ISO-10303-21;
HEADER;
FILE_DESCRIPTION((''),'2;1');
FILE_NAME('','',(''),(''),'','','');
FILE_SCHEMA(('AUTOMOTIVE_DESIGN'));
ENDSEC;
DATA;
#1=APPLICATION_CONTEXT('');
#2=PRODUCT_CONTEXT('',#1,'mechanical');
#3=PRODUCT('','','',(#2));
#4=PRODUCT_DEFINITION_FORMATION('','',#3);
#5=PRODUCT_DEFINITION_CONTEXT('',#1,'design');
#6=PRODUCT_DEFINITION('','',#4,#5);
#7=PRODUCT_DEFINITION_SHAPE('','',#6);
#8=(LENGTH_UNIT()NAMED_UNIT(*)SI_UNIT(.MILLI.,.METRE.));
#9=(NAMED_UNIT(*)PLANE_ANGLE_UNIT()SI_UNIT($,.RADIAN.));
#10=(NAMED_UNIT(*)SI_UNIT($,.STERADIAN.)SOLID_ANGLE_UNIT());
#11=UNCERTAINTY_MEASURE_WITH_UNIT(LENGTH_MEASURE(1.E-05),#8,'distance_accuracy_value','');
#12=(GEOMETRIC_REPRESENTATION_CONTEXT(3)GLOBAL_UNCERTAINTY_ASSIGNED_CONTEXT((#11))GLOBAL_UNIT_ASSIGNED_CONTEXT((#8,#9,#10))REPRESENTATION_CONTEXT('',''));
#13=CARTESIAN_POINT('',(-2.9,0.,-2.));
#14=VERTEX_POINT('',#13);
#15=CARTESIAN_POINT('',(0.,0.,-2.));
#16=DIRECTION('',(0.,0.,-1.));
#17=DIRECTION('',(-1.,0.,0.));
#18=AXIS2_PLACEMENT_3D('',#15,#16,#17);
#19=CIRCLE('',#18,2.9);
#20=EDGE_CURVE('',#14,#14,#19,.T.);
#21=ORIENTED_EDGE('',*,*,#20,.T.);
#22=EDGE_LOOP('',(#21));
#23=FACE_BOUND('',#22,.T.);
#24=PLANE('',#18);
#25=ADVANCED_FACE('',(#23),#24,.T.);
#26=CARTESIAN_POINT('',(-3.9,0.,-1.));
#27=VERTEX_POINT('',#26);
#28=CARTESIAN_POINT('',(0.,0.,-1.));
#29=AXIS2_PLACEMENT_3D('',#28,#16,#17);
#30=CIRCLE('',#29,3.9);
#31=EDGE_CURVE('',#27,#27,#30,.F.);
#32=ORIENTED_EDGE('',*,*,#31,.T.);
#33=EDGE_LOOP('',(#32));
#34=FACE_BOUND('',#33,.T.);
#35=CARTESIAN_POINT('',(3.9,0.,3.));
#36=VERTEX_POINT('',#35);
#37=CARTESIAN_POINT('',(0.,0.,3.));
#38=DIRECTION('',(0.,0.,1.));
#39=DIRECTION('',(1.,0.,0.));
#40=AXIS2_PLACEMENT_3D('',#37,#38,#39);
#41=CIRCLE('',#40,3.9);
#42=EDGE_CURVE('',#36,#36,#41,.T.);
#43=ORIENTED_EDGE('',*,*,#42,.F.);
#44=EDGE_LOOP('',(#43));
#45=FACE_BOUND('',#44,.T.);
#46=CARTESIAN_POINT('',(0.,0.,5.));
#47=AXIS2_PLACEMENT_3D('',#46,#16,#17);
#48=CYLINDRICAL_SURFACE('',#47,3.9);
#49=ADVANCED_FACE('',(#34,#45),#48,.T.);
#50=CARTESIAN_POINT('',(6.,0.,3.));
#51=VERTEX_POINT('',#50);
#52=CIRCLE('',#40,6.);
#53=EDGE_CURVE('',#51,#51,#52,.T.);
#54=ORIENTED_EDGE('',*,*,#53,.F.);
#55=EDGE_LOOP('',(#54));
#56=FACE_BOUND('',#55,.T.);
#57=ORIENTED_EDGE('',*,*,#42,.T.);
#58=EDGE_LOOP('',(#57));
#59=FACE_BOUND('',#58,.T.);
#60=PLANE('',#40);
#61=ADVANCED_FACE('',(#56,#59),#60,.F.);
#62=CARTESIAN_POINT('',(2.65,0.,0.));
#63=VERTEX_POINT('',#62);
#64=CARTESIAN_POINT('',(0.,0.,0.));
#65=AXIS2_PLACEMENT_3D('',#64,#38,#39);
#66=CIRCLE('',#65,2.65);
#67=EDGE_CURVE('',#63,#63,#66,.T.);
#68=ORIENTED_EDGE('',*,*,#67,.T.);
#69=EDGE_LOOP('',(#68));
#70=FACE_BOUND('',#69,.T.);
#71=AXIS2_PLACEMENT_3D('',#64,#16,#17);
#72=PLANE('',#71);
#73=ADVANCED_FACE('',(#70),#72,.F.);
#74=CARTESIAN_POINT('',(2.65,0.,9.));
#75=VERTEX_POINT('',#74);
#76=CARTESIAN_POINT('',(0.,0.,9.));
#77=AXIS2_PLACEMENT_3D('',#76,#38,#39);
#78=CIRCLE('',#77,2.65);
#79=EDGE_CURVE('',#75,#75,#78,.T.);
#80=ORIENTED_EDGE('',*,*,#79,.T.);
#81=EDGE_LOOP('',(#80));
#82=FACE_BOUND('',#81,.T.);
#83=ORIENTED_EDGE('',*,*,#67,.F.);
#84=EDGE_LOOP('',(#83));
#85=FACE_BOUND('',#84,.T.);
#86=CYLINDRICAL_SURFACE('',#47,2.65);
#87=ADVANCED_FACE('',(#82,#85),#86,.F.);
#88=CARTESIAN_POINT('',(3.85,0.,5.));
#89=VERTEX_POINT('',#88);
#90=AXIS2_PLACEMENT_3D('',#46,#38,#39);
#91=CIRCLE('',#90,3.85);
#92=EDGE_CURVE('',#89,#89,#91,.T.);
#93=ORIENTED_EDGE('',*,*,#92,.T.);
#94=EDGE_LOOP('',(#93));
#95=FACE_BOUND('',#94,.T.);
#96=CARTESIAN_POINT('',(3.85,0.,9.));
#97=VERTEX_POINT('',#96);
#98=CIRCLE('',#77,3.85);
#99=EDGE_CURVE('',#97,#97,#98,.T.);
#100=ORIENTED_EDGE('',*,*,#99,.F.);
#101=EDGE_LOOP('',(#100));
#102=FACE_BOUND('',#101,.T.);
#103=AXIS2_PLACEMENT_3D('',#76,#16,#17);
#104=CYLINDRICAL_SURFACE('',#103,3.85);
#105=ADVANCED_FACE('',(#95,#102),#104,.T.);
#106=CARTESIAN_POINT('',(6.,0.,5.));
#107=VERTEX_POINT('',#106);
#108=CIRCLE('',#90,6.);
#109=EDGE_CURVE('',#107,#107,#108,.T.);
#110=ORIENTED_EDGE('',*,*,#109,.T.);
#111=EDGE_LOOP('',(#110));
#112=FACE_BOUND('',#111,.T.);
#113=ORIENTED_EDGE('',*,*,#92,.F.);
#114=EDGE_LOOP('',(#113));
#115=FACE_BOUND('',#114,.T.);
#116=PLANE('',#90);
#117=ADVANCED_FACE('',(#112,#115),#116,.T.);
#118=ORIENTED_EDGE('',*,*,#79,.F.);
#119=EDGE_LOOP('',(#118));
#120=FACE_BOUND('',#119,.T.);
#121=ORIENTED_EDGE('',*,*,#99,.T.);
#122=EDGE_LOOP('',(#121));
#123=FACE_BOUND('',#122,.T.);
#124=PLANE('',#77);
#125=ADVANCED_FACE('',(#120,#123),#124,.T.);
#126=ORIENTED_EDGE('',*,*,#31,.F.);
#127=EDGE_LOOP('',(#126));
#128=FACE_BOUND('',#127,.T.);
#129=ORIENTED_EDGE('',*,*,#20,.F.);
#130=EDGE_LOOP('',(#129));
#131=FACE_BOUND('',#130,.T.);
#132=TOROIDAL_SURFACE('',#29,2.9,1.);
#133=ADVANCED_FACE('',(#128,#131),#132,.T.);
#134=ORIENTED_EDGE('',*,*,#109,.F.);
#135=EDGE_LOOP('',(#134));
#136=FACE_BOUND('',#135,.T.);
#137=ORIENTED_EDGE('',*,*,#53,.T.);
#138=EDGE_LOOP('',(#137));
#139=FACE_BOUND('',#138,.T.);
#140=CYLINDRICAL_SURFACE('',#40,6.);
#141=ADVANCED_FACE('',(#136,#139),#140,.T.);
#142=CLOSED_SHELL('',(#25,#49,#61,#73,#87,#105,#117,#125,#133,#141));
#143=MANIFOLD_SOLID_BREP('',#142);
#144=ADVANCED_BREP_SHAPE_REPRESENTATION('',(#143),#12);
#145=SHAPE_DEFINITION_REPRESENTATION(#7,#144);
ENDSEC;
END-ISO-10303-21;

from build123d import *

# Parameters (mm, degrees)
SKETCH1_R           = 3.9
SKETCH1_R_2         = 2.65
BOSS_EXTRUDE1_DEPTH = 5
BOSS_EXTRUDE2_START = -2
SKETCH2_R           = 6
SKETCH2_R_2         = 2.65
BOSS_EXTRUDE2_DEPTH = 2
BOSS_EXTRUDE3_START = 2
SKETCH3_R           = 3.9
BOSS_EXTRUDE3_DEPTH = 2
FILLET1_R           = 1
SKETCH4_R           = 3.85
SKETCH4_R_2         = 2.65
BOSS_EXTRUDE4_DEPTH = 4


with BuildPart() as part:
    # Sketch1 → Boss-Extrude1 (new body)
    with BuildSketch(Plane.XY):
        Circle(SKETCH1_R)
        Circle(SKETCH1_R_2, mode=Mode.SUBTRACT)
    extrude(amount=BOSS_EXTRUDE1_DEPTH)

    # Sketch2 → Boss-Extrude2 (add)
    with BuildSketch(Plane.XY.offset(5).offset(BOSS_EXTRUDE2_START)):
        Circle(SKETCH2_R)
        Circle(SKETCH2_R_2, mode=Mode.SUBTRACT)
    extrude(amount=BOSS_EXTRUDE2_DEPTH)

    # Sketch3 → Boss-Extrude3 (add)
    with BuildSketch(Plane(origin=(0, 0, 0), x_dir=(-1, 0, 0), z_dir=(0, 0, -1)).offset(BOSS_EXTRUDE3_START)):
        Circle(SKETCH3_R)
    extrude(amount=-BOSS_EXTRUDE3_DEPTH)

    # Fillet1
    fillet1_edges = [part.edges().sort_by_distance(p)[0] for p in [
        (3.9, 0, -2),
    ]]
    fillet(fillet1_edges, radius=FILLET1_R)

    # Sketch4 → Boss-Extrude4 (add)
    with BuildSketch(Plane.XY.offset(5)):
        Circle(SKETCH4_R)
        Circle(SKETCH4_R_2, mode=Mode.SUBTRACT)
    extrude(amount=BOSS_EXTRUDE4_DEPTH)


solid = part.part
